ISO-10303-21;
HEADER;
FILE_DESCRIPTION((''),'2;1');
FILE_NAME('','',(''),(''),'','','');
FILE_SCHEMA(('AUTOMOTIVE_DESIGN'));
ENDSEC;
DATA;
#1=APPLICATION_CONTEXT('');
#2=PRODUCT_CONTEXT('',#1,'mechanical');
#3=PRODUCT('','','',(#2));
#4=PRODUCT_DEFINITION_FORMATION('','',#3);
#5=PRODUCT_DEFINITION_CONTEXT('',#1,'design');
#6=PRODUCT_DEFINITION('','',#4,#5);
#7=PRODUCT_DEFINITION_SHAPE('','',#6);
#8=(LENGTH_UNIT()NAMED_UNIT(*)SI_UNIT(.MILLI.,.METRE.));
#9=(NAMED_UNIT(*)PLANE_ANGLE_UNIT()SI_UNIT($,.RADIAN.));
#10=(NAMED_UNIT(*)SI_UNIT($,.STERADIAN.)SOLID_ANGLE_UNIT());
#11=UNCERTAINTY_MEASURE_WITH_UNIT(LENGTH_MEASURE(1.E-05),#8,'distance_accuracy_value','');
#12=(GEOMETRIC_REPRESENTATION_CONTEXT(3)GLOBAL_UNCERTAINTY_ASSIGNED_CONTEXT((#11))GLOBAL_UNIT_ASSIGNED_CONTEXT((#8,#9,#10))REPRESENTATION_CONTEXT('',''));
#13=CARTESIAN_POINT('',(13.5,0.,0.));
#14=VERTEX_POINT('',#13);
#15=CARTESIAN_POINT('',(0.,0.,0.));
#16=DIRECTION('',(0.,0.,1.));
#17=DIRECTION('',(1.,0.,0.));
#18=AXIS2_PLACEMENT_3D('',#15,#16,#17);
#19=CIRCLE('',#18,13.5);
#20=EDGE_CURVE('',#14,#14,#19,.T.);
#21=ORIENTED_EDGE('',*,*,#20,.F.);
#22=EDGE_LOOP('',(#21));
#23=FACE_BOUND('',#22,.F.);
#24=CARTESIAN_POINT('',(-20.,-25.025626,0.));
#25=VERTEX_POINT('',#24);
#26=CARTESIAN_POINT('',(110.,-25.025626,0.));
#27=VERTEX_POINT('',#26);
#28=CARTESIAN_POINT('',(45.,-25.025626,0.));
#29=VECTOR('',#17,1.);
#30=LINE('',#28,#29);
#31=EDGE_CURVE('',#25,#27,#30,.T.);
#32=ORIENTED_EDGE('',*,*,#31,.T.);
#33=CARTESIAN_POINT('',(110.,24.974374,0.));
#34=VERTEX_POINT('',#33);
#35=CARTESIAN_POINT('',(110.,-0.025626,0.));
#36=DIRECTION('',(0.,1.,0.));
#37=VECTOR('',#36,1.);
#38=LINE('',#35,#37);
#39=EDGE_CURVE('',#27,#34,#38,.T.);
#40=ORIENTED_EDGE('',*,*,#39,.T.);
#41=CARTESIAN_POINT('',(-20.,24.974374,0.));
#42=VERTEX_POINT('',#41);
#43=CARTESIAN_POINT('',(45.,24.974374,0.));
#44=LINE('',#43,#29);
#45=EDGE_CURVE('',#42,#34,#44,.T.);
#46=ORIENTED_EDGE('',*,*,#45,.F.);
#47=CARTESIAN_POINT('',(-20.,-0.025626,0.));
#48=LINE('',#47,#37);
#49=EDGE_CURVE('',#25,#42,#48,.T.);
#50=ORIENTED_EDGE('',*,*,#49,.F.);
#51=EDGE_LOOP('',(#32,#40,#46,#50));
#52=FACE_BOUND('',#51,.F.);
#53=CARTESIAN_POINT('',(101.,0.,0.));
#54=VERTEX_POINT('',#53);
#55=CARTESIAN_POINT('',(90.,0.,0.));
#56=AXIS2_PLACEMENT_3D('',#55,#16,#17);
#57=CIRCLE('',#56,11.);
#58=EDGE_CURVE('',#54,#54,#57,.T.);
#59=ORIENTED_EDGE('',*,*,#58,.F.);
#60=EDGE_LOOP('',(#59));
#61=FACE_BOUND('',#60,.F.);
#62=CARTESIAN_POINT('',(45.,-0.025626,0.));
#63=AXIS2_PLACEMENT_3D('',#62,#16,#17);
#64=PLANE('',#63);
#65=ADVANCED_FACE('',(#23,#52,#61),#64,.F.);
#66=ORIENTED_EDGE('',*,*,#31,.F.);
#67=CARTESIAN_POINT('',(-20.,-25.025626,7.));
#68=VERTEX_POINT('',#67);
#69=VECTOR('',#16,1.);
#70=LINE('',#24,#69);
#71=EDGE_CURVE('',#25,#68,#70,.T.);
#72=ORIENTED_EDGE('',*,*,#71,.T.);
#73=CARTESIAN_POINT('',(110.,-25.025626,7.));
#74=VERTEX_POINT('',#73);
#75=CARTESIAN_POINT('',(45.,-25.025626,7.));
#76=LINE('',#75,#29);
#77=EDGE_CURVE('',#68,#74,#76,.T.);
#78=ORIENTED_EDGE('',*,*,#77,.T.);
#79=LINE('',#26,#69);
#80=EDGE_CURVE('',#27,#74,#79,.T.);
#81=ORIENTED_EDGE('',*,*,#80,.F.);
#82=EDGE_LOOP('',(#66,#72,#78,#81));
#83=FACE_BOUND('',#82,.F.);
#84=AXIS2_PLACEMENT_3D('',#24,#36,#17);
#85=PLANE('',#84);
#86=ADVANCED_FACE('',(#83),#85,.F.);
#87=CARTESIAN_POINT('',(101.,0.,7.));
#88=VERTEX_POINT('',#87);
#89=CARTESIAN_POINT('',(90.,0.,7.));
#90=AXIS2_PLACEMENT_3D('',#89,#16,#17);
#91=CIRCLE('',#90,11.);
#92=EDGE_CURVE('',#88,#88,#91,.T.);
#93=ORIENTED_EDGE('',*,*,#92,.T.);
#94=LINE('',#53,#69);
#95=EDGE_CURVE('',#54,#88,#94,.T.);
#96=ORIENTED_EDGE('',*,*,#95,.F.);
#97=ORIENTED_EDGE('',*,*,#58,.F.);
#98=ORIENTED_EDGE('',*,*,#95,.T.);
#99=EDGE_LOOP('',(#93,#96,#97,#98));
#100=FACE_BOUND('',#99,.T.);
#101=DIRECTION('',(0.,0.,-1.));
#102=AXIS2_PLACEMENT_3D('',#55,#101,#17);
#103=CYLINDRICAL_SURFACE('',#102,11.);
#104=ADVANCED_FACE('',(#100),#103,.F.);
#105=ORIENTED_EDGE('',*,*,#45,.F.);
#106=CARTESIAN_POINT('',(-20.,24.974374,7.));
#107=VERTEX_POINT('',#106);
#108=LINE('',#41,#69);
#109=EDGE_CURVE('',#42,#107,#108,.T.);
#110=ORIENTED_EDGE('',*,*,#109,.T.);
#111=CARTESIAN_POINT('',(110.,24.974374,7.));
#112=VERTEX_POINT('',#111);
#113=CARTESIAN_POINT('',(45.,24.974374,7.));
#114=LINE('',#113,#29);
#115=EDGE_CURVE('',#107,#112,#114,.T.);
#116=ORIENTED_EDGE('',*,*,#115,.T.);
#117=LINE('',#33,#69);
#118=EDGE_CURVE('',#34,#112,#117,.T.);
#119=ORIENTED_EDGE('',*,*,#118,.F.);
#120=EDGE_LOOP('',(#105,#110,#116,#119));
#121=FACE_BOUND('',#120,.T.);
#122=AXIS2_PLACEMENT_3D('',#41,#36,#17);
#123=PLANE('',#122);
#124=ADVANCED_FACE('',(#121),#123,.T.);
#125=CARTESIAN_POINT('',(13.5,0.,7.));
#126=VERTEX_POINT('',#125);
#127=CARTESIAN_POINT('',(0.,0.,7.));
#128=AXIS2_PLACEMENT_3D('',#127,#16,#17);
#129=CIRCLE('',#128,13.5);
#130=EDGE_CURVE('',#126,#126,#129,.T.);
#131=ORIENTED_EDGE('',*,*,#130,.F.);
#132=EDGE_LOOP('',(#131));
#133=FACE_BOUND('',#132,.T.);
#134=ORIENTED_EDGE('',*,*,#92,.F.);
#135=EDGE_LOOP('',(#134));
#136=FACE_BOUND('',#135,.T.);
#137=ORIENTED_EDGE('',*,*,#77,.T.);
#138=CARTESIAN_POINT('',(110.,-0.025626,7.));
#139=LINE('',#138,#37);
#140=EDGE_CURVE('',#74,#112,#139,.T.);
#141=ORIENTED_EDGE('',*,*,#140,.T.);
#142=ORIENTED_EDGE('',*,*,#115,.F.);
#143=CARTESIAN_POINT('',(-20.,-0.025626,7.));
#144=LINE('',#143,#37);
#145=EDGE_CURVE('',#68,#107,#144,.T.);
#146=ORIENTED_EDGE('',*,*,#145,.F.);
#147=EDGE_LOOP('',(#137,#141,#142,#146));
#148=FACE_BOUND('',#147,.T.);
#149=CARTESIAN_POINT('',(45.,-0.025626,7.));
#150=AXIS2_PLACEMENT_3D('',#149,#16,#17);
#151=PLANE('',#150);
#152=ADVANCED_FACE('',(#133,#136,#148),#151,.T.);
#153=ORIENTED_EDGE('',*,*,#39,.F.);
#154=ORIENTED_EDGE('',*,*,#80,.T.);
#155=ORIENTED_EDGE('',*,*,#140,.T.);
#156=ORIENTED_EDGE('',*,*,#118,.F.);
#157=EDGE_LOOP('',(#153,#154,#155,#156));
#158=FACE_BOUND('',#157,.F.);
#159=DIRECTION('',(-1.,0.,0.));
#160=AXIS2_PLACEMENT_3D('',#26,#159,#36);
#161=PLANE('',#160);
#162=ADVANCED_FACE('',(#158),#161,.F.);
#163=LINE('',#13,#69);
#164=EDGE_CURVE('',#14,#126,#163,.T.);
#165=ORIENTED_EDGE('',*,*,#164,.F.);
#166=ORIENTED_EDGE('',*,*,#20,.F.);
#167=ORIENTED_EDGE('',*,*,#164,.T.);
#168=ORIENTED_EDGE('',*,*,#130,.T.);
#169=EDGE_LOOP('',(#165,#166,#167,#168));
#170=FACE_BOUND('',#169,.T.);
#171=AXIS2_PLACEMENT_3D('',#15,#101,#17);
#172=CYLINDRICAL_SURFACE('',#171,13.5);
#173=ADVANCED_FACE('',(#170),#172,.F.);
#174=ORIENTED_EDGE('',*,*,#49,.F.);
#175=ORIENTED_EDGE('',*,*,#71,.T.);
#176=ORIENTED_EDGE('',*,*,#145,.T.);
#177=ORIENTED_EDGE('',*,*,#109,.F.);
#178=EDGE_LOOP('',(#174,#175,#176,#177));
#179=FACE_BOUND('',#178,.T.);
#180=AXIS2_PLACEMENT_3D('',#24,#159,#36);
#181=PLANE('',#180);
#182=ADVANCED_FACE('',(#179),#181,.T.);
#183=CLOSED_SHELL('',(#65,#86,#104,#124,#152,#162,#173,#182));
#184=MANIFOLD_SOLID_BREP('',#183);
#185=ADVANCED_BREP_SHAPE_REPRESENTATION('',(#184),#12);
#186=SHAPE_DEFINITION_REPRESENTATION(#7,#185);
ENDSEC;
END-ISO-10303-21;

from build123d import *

# Parameters (mm, degrees)
SKETCH_W   = 130
SKETCH_H   = 50
SKETCH_R   = 13.5
SKETCH_R_2 = 11
PAD_DEPTH  = 7


with BuildPart() as part:
    # Sketch → Pad (new body)
    with BuildSketch(Plane.XY):
        with Locations((45, -0.025626)):
            Rectangle(SKETCH_W, SKETCH_H)
        Circle(SKETCH_R, mode=Mode.SUBTRACT)
        with Locations((90, 0)):
            Circle(SKETCH_R_2, mode=Mode.SUBTRACT)
    extrude(amount=PAD_DEPTH)


solid = part.part
